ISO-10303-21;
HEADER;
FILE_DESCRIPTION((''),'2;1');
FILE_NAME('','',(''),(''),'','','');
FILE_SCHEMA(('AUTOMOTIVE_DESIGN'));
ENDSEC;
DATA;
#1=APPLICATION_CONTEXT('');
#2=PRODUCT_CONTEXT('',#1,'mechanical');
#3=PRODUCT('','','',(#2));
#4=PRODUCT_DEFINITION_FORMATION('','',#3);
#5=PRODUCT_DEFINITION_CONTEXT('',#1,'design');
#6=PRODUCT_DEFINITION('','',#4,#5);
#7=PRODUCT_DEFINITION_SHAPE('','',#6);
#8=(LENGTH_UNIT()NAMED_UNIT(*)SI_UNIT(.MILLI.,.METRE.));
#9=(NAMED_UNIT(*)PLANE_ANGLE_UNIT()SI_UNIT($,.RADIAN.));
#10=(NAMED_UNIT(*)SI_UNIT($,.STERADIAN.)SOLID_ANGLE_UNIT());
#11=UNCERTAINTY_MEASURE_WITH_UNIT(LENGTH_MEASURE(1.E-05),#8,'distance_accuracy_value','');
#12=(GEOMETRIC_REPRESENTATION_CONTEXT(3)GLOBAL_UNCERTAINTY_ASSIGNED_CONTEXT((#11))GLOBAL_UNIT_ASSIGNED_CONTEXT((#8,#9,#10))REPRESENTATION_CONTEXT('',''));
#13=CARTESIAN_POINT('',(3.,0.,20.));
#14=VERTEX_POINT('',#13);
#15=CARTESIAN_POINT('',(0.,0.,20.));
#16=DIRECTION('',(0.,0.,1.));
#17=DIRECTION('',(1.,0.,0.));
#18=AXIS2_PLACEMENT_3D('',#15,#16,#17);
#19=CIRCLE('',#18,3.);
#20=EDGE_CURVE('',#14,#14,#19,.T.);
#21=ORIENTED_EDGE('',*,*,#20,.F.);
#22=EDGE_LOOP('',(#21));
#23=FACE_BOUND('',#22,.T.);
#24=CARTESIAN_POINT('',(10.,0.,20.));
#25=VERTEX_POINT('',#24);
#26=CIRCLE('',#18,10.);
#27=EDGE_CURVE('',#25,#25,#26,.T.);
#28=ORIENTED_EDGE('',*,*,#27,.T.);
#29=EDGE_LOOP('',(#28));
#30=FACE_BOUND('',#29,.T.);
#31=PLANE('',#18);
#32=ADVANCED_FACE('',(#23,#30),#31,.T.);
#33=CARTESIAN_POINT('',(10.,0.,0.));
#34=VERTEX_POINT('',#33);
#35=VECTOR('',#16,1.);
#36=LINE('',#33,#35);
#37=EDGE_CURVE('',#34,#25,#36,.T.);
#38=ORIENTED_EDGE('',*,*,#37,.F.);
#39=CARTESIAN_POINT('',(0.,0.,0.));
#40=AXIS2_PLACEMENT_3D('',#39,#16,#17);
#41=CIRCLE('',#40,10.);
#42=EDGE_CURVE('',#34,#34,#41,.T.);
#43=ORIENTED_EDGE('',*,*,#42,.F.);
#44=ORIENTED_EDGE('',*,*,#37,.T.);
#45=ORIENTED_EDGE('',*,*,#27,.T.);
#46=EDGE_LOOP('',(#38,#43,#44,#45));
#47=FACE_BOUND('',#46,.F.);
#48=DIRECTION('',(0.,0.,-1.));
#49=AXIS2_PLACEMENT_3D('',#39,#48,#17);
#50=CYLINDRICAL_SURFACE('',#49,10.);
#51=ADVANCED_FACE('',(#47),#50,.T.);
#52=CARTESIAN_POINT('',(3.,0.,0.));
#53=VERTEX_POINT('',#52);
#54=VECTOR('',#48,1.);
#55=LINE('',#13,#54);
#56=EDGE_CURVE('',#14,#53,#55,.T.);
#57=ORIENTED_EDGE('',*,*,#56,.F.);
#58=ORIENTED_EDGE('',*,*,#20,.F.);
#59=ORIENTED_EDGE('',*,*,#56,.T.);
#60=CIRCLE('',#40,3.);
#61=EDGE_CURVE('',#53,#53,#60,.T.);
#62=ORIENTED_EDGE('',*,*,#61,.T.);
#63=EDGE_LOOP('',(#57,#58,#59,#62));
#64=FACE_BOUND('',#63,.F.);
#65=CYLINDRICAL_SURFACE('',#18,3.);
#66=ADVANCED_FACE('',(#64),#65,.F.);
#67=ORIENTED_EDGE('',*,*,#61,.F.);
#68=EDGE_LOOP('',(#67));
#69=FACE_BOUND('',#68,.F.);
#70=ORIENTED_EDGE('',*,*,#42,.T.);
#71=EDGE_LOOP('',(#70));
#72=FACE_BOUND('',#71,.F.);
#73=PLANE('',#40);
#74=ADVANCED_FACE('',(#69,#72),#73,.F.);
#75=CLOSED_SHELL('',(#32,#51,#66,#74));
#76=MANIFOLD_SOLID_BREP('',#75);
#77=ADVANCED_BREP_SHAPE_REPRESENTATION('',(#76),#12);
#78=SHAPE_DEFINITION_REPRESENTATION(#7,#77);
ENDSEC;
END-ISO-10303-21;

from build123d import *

# Parameters (mm, degrees)
SKETCH_R     = 10
PAD_DEPTH    = 20
SKETCH001_R  = 3
POCKET_DEPTH = 20.001


with BuildPart() as part:
    # Sketch → Pad (new body)
    with BuildSketch(Plane.XY):
        Circle(SKETCH_R)
    extrude(amount=PAD_DEPTH)

    # Sketch001 (on Face3 of Pad) → Pocket (cut, through all)
    with BuildSketch(Plane.XY.offset(20)):
        Circle(SKETCH001_R)
    extrude(amount=-POCKET_DEPTH, mode=Mode.SUBTRACT)


solid = part.part
